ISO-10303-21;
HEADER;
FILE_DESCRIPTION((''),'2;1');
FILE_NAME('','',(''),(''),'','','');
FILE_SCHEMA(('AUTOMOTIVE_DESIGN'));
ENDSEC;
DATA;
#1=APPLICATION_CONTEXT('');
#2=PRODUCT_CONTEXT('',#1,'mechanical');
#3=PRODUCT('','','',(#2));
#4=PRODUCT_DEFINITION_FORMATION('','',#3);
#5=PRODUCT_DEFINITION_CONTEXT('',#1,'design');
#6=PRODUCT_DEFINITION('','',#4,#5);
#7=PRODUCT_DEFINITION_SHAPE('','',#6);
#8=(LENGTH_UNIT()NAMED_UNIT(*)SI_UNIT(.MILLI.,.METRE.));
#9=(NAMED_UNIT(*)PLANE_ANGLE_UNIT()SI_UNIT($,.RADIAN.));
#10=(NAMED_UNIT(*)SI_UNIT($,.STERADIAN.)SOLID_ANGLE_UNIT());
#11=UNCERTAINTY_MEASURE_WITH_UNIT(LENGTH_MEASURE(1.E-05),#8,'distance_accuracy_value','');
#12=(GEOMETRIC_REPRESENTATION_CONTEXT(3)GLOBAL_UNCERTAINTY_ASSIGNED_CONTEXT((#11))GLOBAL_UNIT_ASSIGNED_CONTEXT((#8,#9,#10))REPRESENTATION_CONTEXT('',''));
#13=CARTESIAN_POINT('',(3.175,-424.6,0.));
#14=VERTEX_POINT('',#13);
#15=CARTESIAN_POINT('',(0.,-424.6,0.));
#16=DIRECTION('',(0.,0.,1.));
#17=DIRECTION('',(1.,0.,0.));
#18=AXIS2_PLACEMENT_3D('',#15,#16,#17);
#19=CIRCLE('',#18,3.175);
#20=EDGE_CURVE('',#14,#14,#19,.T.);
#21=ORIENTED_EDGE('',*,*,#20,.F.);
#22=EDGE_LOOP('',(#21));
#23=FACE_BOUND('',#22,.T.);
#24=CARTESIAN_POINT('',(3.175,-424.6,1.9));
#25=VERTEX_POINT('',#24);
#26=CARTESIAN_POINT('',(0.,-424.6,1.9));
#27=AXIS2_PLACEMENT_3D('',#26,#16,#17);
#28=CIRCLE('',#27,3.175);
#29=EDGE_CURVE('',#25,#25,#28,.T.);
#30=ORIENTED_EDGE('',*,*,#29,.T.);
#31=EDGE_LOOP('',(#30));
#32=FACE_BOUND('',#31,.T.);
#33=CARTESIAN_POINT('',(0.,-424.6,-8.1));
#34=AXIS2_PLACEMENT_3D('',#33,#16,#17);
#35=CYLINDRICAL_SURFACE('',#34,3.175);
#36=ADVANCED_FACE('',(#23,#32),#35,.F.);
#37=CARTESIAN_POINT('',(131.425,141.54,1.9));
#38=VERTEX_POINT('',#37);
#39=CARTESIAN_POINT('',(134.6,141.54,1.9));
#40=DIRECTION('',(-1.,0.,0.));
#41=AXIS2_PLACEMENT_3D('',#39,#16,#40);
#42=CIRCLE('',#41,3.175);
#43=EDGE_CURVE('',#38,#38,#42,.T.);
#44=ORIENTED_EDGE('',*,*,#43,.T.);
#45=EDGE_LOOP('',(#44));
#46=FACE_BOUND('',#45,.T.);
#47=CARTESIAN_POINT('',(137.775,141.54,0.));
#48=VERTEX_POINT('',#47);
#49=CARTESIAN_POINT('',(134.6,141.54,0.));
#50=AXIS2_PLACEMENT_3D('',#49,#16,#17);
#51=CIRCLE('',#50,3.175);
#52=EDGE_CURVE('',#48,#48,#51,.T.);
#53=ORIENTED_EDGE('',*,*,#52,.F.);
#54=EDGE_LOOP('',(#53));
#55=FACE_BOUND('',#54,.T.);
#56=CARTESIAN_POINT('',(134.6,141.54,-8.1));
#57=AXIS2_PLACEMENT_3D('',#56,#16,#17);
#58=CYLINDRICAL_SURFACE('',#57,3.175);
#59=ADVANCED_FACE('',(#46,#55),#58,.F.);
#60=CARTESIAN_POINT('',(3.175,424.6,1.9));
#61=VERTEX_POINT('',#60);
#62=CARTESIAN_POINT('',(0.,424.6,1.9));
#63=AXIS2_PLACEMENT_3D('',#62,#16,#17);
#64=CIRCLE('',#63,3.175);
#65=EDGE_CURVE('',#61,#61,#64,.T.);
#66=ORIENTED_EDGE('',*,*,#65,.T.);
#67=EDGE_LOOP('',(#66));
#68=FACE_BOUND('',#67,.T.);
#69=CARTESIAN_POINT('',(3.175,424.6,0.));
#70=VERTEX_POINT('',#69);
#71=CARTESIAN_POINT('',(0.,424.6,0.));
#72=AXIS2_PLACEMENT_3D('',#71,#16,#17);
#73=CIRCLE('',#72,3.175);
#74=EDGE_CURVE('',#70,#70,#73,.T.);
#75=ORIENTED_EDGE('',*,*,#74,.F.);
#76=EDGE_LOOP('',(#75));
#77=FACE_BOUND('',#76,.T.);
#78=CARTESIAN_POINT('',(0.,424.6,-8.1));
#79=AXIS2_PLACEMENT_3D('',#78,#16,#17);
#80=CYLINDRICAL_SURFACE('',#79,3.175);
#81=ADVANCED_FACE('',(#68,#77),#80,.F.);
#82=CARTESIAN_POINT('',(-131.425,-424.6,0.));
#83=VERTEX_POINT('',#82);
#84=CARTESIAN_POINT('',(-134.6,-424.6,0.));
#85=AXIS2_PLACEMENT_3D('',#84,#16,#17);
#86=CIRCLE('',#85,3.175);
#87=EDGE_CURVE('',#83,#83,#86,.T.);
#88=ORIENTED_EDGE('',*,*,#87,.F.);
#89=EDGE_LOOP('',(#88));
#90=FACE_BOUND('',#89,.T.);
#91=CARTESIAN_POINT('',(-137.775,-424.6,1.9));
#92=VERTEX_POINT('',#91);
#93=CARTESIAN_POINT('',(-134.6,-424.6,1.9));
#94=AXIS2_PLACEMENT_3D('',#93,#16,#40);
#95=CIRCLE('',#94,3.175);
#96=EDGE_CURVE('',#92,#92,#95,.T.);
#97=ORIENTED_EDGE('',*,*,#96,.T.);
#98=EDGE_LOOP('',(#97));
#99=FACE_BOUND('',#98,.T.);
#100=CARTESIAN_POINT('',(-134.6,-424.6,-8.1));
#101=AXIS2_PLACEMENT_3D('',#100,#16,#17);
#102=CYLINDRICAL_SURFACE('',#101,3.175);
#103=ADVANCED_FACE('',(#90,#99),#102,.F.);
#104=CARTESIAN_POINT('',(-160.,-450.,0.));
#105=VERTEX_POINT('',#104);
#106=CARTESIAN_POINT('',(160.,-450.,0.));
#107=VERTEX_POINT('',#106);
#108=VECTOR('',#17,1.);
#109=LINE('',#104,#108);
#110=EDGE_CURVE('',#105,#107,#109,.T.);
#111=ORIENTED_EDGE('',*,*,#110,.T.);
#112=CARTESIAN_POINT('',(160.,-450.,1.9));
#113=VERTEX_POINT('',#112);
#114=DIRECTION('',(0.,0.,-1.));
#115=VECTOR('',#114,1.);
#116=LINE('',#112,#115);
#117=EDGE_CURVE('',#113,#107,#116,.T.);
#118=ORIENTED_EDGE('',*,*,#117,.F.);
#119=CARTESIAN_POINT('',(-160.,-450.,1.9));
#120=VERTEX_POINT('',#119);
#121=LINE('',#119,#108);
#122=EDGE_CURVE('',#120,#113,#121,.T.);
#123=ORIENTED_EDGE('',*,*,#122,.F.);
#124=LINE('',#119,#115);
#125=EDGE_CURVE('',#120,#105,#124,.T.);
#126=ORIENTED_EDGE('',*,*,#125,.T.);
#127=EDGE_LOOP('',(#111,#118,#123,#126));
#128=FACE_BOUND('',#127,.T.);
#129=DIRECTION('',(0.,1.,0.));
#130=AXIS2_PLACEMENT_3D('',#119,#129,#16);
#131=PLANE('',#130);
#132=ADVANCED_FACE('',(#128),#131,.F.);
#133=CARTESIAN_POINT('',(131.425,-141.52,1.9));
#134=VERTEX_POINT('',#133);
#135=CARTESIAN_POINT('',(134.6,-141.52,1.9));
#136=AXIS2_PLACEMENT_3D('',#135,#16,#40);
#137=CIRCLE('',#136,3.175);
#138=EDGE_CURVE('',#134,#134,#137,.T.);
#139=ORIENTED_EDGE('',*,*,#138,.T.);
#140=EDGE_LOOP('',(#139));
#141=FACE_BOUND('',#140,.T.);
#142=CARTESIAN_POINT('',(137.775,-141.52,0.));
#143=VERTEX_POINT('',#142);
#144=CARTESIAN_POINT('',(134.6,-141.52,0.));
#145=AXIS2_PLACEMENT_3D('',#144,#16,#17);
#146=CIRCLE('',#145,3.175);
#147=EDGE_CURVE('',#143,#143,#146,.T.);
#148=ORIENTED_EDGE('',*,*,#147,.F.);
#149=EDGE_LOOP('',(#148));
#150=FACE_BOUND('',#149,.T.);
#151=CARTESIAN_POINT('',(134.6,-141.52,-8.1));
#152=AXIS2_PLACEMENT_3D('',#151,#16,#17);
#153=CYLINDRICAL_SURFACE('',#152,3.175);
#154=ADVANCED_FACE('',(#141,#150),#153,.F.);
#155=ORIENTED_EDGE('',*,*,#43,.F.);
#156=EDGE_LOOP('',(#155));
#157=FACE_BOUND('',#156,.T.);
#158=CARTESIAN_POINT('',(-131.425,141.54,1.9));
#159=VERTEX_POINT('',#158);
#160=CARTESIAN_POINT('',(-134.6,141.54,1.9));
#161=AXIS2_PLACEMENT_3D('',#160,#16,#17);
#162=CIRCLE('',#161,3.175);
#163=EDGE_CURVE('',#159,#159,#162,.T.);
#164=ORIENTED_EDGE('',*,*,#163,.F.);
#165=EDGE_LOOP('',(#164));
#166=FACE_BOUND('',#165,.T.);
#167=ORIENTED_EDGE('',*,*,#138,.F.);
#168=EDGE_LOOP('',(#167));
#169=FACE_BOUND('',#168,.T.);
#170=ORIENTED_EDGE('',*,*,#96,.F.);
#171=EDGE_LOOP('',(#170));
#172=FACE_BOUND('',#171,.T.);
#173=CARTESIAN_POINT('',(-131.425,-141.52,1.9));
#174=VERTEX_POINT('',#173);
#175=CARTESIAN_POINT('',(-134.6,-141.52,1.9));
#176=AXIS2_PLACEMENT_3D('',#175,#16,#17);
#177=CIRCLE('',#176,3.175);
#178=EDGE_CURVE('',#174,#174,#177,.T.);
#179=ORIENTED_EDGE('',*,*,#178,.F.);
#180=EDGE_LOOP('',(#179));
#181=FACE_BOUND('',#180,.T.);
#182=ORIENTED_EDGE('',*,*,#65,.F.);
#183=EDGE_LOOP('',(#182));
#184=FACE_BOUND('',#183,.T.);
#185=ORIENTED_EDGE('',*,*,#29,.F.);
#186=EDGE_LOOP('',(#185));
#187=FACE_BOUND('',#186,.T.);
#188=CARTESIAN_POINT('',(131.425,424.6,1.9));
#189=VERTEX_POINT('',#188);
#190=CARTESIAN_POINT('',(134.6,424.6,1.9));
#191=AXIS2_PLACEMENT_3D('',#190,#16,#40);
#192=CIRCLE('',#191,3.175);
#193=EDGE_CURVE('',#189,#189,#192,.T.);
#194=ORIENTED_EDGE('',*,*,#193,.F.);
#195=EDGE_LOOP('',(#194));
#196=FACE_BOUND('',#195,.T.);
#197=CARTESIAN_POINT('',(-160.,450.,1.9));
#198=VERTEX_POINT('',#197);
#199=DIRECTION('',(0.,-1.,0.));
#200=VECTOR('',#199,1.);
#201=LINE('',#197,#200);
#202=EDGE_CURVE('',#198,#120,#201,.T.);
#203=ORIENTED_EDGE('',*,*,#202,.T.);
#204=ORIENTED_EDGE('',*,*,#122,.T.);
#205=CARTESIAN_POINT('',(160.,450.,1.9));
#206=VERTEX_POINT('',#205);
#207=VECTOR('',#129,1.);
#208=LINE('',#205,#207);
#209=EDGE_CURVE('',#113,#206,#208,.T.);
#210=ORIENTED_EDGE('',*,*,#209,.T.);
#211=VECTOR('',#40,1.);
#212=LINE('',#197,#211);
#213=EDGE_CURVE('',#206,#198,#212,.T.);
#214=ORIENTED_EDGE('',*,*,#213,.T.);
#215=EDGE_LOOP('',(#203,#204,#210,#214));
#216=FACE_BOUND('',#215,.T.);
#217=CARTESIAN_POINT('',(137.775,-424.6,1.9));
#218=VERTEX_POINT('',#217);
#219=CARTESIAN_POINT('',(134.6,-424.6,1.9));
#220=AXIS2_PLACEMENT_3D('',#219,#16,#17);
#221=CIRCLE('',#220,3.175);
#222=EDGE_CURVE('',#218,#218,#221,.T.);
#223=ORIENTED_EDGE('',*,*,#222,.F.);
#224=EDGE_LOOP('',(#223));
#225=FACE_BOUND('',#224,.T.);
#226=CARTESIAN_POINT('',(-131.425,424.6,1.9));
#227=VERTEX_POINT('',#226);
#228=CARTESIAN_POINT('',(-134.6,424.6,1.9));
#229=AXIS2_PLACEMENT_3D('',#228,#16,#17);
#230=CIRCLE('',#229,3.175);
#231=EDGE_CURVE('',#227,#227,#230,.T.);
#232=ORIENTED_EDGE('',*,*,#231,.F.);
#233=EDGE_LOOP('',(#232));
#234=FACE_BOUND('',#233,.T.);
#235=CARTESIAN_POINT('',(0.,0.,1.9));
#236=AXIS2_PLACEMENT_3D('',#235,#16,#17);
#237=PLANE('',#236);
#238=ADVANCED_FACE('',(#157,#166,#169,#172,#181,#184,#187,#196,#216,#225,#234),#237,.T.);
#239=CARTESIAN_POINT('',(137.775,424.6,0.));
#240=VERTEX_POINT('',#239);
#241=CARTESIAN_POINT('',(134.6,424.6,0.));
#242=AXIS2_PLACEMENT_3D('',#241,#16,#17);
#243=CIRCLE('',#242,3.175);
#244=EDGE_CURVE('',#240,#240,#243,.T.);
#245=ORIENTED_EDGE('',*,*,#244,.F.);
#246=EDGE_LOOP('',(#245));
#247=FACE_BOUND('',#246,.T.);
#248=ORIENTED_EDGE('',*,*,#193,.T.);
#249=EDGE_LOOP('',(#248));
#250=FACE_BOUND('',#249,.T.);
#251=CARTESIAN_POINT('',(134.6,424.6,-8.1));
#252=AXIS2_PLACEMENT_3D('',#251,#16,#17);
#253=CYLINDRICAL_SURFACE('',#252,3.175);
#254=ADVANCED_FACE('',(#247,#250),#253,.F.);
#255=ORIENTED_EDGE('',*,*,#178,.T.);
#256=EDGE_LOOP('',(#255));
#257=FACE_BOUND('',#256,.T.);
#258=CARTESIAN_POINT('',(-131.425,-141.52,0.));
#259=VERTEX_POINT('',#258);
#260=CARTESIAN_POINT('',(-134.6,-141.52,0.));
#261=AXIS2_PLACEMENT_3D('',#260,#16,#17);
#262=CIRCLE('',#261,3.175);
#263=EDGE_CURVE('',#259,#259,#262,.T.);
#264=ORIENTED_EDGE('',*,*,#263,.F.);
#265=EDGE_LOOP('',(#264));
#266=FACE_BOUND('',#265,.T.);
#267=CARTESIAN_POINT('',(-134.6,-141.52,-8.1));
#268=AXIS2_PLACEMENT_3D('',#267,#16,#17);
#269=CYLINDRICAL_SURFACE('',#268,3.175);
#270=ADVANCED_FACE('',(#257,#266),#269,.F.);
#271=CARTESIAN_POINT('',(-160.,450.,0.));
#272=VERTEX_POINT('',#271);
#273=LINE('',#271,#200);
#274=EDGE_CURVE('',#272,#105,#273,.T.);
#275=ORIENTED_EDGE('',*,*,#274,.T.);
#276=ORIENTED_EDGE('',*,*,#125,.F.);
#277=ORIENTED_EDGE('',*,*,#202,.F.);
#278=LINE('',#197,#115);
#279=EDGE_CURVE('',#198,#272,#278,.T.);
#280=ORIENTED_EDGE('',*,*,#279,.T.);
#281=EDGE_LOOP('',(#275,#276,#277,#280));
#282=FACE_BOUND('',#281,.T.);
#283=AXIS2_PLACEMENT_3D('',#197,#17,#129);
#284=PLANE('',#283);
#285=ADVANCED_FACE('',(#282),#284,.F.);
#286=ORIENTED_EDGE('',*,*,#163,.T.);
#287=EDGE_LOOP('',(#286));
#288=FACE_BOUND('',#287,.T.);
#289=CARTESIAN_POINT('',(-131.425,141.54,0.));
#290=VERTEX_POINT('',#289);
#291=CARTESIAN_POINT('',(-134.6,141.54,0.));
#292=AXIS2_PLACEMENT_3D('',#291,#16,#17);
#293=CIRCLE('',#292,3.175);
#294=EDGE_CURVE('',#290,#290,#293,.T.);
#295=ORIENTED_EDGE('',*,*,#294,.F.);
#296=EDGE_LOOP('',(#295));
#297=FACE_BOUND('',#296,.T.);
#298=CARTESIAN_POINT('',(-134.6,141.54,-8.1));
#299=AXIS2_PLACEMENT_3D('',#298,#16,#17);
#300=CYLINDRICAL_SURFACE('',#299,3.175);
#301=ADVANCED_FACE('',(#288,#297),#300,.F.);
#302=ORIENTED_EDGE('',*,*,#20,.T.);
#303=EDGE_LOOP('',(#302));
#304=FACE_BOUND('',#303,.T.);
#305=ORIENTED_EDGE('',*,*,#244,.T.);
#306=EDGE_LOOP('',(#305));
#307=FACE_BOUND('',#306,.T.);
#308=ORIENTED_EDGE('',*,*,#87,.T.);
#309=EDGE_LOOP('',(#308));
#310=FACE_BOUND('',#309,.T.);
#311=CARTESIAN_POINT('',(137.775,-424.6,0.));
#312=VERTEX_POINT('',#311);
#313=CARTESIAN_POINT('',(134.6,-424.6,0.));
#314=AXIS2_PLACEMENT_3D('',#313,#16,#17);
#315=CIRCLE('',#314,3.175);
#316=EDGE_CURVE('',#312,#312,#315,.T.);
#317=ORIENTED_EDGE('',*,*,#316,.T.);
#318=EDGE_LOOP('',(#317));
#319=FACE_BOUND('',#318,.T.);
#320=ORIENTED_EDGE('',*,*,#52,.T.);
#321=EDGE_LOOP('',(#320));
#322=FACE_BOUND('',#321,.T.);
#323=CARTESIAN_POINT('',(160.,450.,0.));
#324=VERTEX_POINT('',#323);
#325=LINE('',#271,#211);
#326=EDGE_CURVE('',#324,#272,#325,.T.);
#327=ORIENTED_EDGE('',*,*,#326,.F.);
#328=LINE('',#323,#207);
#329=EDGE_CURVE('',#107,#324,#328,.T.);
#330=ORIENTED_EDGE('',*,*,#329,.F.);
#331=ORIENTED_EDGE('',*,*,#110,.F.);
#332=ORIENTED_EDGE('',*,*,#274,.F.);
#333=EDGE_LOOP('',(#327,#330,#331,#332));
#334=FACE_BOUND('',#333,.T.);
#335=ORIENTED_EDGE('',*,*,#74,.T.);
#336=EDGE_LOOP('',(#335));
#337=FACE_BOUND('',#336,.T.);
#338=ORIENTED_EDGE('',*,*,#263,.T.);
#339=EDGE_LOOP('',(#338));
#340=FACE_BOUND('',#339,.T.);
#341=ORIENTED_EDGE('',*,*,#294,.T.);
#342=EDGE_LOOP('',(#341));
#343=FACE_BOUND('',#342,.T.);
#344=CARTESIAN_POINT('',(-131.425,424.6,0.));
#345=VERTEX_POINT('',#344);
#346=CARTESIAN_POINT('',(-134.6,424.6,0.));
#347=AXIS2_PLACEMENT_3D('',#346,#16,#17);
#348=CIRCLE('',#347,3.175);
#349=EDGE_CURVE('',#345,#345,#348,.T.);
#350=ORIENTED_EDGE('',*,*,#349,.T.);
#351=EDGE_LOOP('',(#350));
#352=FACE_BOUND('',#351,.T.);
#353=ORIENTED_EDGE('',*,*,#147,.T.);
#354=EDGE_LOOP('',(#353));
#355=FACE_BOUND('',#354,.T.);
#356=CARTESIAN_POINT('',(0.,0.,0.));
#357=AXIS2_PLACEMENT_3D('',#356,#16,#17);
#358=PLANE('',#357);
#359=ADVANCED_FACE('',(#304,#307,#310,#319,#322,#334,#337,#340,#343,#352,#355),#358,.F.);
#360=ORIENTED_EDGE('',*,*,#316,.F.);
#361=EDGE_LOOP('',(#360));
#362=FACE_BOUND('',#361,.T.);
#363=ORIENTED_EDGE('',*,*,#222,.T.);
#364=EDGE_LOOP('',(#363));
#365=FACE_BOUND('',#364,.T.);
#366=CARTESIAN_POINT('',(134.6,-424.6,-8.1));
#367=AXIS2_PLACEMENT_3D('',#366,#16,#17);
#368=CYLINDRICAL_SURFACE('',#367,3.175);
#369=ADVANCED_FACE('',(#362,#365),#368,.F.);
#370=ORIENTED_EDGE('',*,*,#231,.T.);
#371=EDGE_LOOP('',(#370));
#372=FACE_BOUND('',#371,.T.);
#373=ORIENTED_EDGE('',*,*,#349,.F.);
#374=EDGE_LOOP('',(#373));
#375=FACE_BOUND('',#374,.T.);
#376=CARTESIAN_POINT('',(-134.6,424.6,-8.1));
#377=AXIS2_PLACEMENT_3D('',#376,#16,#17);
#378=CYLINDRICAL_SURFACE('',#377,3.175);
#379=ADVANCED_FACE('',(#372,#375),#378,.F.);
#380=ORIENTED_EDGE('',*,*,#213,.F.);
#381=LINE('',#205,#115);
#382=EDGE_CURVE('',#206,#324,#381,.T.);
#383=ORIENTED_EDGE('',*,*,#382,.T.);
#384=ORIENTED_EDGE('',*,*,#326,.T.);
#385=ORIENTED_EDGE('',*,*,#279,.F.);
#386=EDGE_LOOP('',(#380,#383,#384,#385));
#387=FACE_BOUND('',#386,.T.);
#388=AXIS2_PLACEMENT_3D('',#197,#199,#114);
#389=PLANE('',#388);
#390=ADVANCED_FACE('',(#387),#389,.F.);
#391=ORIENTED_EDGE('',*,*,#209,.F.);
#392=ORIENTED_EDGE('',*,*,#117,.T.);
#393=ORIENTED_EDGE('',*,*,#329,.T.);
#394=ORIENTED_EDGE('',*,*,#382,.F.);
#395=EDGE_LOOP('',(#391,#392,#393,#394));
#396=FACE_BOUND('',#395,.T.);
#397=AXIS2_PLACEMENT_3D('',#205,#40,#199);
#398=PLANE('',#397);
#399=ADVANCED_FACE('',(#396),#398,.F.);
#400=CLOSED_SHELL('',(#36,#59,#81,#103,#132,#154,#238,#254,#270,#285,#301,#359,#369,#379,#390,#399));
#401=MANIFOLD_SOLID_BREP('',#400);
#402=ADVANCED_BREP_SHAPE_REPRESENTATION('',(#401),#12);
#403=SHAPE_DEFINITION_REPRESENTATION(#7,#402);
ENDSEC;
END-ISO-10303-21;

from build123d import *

# Parameters (mm, degrees)
CROQUIS1_W              = 320
CROQUIS1_H              = 900
SALIENTE_EXTRUIR1_DEPTH = 1.9
CROQUIS2_R              = 3.175
CORTAR_EXTRUIR1_DEPTH   = 10


with BuildPart() as part:
    # Croquis1 → Saliente-Extruir1 (new body)
    with BuildSketch(Plane.XY):
        Rectangle(CROQUIS1_W, CROQUIS1_H)
    extrude(amount=SALIENTE_EXTRUIR1_DEPTH)

    # Croquis2 → Cortar-Extruir1 (cut)
    with BuildSketch(Plane.XY.offset(1.9)):
        with Locations((-134.6, 424.6)):
            Circle(CROQUIS2_R)
        with Locations((134.6, 424.6)):
            Circle(CROQUIS2_R)
        with Locations((134.6, -424.6)):
            Circle(CROQUIS2_R)
        with Locations((-134.6, -424.6)):
            Circle(CROQUIS2_R)
        with Locations((-134.6, 141.54)):
            Circle(CROQUIS2_R)
        with Locations((-134.6, -141.52)):
            Circle(CROQUIS2_R)
        with Locations((134.6, 141.54)):
            Circle(CROQUIS2_R)
        with Locations((134.6, -141.52)):
            Circle(CROQUIS2_R)
        with Locations((0, 424.6)):
            Circle(CROQUIS2_R)
        with Locations((0, -424.6)):
            Circle(CROQUIS2_R)
    extrude(amount=-CORTAR_EXTRUIR1_DEPTH, mode=Mode.SUBTRACT)


solid = part.part
